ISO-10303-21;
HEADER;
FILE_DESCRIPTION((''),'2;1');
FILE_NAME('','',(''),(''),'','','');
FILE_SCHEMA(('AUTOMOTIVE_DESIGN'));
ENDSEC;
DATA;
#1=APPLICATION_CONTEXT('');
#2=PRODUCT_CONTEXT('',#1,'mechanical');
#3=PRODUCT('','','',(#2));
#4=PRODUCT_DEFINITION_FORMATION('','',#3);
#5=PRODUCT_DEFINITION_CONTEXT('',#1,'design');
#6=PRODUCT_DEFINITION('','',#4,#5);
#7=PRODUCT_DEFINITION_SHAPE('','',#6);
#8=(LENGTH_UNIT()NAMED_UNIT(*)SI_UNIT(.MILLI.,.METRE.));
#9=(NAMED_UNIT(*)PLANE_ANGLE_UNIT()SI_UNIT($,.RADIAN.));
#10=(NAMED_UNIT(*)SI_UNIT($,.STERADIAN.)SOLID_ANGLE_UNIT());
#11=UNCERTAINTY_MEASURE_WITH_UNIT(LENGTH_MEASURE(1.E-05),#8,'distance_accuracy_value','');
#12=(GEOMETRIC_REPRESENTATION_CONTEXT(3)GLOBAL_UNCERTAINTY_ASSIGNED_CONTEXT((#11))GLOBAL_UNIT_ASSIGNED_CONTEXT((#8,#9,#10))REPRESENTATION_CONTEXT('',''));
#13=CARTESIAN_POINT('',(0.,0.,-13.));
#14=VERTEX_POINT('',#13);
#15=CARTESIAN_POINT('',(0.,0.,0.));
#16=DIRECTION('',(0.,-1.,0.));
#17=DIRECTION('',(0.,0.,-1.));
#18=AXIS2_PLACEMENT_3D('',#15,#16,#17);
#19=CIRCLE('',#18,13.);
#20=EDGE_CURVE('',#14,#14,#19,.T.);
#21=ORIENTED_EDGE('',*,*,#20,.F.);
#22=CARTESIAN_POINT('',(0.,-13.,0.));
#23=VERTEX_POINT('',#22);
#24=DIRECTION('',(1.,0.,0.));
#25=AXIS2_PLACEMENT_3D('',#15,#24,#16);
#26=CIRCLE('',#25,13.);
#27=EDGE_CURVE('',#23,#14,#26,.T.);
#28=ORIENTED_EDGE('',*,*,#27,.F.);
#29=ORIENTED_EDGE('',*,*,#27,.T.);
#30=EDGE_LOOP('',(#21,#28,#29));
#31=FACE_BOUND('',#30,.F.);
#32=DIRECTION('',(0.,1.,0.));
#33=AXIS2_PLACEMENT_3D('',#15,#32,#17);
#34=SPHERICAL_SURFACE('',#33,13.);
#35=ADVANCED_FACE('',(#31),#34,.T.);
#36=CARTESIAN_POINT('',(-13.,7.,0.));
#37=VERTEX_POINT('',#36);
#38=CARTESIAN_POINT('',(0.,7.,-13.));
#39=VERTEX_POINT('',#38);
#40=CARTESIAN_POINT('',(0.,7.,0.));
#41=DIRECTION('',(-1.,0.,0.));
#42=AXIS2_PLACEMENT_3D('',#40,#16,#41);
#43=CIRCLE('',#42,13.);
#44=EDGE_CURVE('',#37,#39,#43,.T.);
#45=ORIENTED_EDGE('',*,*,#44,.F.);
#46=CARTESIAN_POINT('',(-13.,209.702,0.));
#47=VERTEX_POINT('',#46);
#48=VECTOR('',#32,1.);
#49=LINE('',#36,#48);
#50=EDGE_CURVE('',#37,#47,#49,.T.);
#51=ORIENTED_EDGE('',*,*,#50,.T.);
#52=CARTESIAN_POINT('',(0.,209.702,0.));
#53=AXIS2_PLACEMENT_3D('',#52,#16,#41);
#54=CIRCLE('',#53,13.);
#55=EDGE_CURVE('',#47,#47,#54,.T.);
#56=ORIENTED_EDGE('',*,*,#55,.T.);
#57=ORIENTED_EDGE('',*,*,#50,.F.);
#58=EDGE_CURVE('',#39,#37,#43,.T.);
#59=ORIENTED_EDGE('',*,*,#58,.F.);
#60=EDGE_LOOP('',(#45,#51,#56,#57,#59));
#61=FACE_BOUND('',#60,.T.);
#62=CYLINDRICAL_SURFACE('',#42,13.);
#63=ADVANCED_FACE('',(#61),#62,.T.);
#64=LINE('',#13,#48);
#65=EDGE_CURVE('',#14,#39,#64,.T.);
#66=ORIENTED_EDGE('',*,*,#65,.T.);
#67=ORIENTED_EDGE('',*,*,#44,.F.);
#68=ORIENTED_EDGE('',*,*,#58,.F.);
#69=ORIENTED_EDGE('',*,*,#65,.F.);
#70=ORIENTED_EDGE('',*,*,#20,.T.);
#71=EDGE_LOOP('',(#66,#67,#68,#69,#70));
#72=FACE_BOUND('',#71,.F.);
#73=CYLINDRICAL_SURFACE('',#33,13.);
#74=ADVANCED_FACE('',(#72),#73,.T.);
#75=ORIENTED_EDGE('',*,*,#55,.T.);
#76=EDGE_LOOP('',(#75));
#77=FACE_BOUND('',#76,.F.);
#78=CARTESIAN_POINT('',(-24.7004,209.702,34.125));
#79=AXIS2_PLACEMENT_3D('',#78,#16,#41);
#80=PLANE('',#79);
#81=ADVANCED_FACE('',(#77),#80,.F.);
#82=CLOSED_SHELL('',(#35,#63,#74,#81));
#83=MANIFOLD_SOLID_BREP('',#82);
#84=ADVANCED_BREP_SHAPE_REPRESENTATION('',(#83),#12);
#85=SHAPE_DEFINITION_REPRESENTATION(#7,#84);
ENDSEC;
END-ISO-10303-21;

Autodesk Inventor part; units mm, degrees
ref_plane "YZ Plane" through (0, 0, 0) normal (1, 0, 0) x (0, 1, 0)
ref_plane "XZ Plane" through (0, 0, 0) normal (0, 1, 0) x (-1, 0, 0)
ref_plane "XY Plane" through (0, 0, 0) normal (0, 0, 1) x (1, 0, 0)
ref_plane "Work Plane2" through (0, 209.702, 0) normal (0, 1, 0) x (1, 0, 0)
ref_plane "Work Plane3" through (-24.7004, 7, 34.125) normal (0, -1, 0) x (-1, 0, 0)
sketch "Sketch3" plane through (-24.7004, 7, 34.125) normal (0, -1, 0) x (-1, 0, 0)
  circle A0 centre (-24.7004, 34.125) radius 13
  arc A1 (-14.7004, 42.4316) -> (-34.7004, 42.4316) centre (-24.7004, 34.125) ccw construction
extrude "Extrusion2" add sketch "Sketch3" against normal up to surface (202.702 mm away)
sketch "Sketch5" plane through (0, 0, 0) normal (1, 0, 0) x (0, 1, 0)
  arc A0 (-8.5144, 9.8237) -> (0, -13) centre (0, 0) ccw construction
  line L0 (7, 13) -> (7, -13) construction
  arc A1 (-13, 0) -> (0, -13) centre (0, 0) ccw
  line L1 (0, 0) -> (-16.2632, 0) construction
  line L2 (0, -13) -> (7, -13)
  line L3 (-13, 0) -> (7, 0)
  line L4 (7, -13) -> (7, 0)
revolve "Revolution1" add sketch "Sketch5" angle 360 about axis through (0, 0, 0) along (0, -1, 0)
properties part number "ForearmActuatorBodyBoundingBoxReal"
